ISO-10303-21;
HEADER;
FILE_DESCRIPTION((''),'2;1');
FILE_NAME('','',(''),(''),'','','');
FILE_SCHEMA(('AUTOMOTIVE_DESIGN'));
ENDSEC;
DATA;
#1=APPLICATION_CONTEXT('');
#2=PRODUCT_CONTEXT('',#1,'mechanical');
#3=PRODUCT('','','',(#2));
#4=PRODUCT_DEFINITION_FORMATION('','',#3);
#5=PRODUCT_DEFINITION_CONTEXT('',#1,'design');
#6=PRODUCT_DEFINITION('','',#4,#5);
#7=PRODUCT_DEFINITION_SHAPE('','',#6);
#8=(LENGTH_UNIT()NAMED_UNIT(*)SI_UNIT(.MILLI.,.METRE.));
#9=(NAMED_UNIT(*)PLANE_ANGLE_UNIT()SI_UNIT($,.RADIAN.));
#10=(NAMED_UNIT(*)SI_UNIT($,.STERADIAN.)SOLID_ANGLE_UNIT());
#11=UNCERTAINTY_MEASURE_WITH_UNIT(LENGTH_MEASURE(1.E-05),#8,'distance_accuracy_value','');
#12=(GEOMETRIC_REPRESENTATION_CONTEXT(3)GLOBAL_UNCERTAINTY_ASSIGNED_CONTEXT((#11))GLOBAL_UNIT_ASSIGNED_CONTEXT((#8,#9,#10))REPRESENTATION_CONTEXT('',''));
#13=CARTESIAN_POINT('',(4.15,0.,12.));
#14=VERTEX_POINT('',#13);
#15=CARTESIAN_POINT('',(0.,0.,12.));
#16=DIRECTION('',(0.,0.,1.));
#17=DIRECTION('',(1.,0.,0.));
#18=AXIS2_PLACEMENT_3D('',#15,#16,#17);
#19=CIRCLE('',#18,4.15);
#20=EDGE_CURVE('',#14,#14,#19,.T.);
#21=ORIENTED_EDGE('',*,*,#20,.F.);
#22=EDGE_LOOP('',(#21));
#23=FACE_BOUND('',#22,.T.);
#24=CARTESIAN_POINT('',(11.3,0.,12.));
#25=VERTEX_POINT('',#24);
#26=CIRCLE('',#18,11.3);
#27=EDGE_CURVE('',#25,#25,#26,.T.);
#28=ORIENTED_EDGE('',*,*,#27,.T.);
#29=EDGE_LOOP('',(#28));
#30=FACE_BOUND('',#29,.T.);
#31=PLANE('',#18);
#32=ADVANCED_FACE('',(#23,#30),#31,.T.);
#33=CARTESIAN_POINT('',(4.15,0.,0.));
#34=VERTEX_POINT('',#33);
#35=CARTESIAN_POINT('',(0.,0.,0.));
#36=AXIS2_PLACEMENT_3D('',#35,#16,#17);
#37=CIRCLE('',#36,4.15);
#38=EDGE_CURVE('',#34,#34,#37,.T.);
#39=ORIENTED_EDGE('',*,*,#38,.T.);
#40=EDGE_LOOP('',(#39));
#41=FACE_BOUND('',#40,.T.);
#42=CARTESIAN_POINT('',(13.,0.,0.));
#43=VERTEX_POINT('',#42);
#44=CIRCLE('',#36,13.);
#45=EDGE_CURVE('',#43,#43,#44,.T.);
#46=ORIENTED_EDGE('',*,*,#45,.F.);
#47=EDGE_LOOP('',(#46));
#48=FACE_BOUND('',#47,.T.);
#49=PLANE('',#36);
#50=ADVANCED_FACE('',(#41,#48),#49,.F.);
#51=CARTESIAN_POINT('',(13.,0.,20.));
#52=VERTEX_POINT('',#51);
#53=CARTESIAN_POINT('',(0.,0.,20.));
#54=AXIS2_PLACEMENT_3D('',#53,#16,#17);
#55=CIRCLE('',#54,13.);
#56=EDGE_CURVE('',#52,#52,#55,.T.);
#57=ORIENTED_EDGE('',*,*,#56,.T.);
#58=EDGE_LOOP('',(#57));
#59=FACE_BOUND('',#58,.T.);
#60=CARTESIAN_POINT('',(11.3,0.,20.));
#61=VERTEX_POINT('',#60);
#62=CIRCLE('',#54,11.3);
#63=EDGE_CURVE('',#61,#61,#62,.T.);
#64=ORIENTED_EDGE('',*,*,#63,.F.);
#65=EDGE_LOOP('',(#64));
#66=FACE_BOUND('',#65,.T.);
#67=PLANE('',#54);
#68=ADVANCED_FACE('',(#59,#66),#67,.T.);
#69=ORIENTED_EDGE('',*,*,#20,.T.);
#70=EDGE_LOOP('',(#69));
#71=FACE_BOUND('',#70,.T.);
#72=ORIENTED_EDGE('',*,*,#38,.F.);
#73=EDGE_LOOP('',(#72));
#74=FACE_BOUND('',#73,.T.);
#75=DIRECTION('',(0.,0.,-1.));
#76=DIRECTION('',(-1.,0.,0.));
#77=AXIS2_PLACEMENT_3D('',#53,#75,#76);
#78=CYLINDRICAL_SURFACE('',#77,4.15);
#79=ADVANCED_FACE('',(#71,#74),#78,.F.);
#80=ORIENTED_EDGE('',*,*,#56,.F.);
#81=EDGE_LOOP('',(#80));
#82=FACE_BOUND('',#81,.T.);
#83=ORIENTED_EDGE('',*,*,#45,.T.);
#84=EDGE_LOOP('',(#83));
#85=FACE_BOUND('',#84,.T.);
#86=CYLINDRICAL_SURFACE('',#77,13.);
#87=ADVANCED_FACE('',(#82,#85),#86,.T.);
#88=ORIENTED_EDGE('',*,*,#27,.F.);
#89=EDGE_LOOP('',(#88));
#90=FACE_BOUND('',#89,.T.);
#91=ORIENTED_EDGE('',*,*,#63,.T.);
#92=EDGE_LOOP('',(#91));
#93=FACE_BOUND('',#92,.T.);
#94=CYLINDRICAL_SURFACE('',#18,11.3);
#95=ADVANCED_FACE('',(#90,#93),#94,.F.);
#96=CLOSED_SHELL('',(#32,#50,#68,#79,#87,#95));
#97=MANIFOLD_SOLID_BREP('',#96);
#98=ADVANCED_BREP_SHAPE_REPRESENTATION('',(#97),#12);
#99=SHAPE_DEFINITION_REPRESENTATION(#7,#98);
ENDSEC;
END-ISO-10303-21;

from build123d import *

# Parameters (mm, degrees)
SKETCH1_R           = 13
SKETCH1_R_2         = 4.15
BOSS_EXTRUDE1_DEPTH = 20
SKETCH2_R           = 11.3
CUT_EXTRUDE1_DEPTH  = 8


with BuildPart() as part:
    # Sketch1 → Boss-Extrude1 (new body)
    with BuildSketch(Plane.XY):
        Circle(SKETCH1_R)
        Circle(SKETCH1_R_2, mode=Mode.SUBTRACT)
    extrude(amount=BOSS_EXTRUDE1_DEPTH)

    # Sketch2 → Cut-Extrude1 (cut)
    with BuildSketch(Plane.XY.offset(20)):
        Circle(SKETCH2_R)
    extrude(amount=-CUT_EXTRUDE1_DEPTH, mode=Mode.SUBTRACT)


solid = part.part
